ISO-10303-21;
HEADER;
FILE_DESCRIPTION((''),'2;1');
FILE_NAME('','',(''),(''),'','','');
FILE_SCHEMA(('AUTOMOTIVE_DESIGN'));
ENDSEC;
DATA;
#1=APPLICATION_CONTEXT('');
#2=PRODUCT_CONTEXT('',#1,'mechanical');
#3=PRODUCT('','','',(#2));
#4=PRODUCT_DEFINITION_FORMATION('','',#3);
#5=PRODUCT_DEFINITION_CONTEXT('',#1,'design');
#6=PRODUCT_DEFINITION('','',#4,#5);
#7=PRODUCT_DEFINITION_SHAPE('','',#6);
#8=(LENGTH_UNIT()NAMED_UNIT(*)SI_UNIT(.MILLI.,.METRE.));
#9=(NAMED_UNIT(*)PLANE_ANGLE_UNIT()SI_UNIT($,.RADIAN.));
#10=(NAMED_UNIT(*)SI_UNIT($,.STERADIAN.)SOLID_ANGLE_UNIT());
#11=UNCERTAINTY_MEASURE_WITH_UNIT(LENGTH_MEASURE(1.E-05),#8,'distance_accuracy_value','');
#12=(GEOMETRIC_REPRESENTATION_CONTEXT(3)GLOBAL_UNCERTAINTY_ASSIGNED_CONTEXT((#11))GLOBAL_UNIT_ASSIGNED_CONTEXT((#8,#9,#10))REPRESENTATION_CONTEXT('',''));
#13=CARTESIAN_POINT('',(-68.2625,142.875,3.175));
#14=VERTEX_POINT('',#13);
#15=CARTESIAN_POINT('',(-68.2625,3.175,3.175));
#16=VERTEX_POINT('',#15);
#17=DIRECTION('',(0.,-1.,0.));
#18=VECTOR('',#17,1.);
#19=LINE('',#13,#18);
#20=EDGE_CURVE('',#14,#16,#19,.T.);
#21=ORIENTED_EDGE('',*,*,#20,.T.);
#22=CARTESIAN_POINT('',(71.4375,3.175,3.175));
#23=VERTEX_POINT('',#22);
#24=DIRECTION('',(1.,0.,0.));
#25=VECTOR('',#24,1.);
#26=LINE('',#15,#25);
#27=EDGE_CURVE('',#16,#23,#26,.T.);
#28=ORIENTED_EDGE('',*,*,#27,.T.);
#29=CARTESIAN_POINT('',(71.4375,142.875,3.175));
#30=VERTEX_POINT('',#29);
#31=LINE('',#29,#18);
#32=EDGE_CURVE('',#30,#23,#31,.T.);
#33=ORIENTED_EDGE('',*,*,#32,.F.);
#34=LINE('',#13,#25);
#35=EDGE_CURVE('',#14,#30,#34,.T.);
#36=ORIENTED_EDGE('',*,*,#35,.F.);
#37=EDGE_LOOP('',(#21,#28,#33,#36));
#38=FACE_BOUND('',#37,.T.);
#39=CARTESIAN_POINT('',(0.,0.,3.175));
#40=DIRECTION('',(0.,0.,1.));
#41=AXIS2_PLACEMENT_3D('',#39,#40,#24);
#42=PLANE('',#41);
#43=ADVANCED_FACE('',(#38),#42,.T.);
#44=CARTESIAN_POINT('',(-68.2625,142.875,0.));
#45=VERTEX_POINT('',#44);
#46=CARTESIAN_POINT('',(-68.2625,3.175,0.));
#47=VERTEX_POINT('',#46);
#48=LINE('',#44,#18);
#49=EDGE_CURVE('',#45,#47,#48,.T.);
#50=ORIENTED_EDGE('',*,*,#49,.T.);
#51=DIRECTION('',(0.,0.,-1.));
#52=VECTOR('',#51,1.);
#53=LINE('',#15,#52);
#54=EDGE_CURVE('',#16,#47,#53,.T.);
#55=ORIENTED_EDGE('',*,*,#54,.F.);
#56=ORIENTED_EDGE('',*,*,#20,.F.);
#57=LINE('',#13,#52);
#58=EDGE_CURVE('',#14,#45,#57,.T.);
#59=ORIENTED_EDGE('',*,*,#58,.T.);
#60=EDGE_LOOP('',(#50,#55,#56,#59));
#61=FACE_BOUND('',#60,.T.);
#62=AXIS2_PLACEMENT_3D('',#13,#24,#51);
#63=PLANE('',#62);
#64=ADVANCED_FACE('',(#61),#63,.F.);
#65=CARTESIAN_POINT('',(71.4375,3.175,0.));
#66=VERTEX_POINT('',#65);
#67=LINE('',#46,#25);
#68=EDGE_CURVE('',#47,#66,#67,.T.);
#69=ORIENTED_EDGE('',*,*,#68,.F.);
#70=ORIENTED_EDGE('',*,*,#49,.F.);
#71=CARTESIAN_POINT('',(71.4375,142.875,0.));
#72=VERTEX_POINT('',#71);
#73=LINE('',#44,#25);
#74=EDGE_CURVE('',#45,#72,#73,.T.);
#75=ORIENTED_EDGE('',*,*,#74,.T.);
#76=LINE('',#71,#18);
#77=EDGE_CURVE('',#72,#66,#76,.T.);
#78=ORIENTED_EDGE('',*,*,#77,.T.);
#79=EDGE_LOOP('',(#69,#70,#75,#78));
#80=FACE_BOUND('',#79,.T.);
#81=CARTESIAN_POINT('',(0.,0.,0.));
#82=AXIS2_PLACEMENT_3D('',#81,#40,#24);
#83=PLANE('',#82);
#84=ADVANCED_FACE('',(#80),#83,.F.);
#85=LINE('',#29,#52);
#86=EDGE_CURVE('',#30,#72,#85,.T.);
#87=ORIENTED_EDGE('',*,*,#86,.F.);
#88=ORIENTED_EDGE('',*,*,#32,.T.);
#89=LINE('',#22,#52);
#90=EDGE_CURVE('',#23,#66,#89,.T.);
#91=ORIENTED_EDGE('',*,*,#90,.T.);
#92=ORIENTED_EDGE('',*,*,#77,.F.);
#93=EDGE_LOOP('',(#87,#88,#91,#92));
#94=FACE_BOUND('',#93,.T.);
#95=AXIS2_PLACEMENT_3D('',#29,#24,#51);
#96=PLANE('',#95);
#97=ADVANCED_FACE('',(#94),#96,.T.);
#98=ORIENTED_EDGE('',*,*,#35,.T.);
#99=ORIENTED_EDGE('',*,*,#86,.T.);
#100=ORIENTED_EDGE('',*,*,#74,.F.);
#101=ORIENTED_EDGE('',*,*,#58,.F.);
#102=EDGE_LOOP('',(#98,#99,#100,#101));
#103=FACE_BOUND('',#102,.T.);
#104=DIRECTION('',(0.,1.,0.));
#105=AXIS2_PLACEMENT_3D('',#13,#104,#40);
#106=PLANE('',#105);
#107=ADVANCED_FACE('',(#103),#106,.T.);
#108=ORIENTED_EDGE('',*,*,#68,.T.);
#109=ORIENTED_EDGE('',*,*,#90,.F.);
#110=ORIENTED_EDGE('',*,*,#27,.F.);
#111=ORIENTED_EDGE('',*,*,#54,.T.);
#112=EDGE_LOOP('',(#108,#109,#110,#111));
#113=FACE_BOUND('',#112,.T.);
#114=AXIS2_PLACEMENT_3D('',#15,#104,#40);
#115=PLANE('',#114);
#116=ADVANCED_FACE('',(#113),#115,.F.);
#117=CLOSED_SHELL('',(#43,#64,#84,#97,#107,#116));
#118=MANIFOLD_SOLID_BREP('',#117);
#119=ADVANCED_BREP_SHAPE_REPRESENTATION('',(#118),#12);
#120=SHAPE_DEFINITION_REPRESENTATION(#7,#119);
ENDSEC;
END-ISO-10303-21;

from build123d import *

# Parameters (mm, degrees)
SKETCH1_W           = 139.7
SKETCH1_H           = 139.7
BOSS_EXTRUDE1_DEPTH = 3.175


with BuildPart() as part:
    # Sketch1 → Boss-Extrude1 (new body)
    with BuildSketch(Plane.XY):
        with Locations((1.5875, 73.025)):
            Rectangle(SKETCH1_W, SKETCH1_H)
    extrude(amount=BOSS_EXTRUDE1_DEPTH)


solid = part.part
